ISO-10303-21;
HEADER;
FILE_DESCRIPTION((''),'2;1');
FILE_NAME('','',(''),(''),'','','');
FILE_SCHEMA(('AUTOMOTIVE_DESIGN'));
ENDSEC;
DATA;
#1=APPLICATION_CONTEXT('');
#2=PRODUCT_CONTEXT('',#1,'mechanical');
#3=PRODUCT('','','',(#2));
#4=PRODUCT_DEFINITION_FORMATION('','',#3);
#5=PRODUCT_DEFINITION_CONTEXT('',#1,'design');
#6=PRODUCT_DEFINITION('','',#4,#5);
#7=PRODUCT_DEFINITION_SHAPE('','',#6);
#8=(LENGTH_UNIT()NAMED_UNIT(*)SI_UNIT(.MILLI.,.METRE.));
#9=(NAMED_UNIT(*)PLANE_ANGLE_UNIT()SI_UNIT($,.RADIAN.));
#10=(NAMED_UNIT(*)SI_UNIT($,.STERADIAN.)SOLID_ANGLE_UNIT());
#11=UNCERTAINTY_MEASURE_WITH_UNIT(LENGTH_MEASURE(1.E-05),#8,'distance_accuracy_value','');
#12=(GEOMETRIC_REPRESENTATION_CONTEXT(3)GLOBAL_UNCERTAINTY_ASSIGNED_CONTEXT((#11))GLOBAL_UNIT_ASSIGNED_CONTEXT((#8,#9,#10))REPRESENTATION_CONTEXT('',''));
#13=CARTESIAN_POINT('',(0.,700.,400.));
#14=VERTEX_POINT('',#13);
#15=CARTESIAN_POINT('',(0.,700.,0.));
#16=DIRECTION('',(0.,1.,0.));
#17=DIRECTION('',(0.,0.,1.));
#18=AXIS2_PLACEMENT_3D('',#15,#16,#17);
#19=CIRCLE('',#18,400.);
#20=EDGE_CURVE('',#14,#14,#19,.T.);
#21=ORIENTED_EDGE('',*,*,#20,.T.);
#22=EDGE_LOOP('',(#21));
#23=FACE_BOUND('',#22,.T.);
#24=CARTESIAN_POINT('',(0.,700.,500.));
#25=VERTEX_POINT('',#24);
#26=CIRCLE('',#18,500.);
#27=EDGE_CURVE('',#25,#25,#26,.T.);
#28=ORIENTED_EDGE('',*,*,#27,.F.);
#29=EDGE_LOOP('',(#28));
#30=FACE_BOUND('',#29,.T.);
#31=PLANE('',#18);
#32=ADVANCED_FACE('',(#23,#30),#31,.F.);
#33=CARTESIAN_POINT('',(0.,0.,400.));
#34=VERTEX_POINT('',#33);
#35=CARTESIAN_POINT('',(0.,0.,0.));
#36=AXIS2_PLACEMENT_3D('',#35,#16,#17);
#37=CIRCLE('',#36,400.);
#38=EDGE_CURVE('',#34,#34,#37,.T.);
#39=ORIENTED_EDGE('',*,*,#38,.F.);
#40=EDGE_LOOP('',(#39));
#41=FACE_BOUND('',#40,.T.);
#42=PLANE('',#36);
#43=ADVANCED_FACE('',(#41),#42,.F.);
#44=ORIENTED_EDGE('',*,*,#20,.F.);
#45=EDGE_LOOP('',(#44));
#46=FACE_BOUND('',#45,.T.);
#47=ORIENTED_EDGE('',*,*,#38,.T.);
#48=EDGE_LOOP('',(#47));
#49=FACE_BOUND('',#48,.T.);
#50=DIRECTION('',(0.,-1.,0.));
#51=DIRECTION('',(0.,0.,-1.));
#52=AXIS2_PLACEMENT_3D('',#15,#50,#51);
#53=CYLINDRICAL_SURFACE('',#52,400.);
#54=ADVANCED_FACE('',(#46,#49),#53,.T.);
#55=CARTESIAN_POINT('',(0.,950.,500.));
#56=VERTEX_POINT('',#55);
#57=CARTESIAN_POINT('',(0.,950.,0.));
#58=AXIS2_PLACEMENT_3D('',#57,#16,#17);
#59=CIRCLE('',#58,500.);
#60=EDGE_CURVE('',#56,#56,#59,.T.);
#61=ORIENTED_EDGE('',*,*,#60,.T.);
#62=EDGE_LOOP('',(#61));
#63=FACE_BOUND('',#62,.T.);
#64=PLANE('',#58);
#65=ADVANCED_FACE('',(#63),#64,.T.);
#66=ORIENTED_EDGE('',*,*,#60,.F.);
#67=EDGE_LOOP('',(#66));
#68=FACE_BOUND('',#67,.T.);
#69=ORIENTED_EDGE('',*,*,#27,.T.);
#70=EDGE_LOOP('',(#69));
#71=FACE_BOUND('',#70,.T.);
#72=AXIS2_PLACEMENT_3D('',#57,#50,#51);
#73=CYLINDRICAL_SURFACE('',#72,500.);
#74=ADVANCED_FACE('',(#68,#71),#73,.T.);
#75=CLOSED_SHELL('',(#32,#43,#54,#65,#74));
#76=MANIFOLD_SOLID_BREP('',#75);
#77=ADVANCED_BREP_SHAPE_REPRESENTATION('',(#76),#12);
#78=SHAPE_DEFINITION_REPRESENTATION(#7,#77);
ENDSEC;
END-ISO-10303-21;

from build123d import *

# Parameters (mm, degrees)
SKETCH1_R           = 400
BOSS_EXTRUDE1_DEPTH = 700
SKETCH2_R           = 500
BOSS_EXTRUDE2_DEPTH = 250


with BuildPart() as part:
    # Sketch1 → Boss-Extrude1 (new body)
    with BuildSketch(Plane(origin=(0, 0, 0), x_dir=(1, 0, 0), z_dir=(0, 1, 0))):
        with Locations(Location((0, 0, 0), (0, 0, 270))):
            Circle(SKETCH1_R)
    extrude(amount=BOSS_EXTRUDE1_DEPTH)

    # Sketch2 → Boss-Extrude2 (add)
    with BuildSketch(Plane(origin=(0, 700, 0), x_dir=(1, 0, 0), z_dir=(0, 1, 0))):
        with Locations(Location((0, 0, 0), (0, 0, 270))):
            Circle(SKETCH2_R)
    extrude(amount=BOSS_EXTRUDE2_DEPTH)


solid = part.part
